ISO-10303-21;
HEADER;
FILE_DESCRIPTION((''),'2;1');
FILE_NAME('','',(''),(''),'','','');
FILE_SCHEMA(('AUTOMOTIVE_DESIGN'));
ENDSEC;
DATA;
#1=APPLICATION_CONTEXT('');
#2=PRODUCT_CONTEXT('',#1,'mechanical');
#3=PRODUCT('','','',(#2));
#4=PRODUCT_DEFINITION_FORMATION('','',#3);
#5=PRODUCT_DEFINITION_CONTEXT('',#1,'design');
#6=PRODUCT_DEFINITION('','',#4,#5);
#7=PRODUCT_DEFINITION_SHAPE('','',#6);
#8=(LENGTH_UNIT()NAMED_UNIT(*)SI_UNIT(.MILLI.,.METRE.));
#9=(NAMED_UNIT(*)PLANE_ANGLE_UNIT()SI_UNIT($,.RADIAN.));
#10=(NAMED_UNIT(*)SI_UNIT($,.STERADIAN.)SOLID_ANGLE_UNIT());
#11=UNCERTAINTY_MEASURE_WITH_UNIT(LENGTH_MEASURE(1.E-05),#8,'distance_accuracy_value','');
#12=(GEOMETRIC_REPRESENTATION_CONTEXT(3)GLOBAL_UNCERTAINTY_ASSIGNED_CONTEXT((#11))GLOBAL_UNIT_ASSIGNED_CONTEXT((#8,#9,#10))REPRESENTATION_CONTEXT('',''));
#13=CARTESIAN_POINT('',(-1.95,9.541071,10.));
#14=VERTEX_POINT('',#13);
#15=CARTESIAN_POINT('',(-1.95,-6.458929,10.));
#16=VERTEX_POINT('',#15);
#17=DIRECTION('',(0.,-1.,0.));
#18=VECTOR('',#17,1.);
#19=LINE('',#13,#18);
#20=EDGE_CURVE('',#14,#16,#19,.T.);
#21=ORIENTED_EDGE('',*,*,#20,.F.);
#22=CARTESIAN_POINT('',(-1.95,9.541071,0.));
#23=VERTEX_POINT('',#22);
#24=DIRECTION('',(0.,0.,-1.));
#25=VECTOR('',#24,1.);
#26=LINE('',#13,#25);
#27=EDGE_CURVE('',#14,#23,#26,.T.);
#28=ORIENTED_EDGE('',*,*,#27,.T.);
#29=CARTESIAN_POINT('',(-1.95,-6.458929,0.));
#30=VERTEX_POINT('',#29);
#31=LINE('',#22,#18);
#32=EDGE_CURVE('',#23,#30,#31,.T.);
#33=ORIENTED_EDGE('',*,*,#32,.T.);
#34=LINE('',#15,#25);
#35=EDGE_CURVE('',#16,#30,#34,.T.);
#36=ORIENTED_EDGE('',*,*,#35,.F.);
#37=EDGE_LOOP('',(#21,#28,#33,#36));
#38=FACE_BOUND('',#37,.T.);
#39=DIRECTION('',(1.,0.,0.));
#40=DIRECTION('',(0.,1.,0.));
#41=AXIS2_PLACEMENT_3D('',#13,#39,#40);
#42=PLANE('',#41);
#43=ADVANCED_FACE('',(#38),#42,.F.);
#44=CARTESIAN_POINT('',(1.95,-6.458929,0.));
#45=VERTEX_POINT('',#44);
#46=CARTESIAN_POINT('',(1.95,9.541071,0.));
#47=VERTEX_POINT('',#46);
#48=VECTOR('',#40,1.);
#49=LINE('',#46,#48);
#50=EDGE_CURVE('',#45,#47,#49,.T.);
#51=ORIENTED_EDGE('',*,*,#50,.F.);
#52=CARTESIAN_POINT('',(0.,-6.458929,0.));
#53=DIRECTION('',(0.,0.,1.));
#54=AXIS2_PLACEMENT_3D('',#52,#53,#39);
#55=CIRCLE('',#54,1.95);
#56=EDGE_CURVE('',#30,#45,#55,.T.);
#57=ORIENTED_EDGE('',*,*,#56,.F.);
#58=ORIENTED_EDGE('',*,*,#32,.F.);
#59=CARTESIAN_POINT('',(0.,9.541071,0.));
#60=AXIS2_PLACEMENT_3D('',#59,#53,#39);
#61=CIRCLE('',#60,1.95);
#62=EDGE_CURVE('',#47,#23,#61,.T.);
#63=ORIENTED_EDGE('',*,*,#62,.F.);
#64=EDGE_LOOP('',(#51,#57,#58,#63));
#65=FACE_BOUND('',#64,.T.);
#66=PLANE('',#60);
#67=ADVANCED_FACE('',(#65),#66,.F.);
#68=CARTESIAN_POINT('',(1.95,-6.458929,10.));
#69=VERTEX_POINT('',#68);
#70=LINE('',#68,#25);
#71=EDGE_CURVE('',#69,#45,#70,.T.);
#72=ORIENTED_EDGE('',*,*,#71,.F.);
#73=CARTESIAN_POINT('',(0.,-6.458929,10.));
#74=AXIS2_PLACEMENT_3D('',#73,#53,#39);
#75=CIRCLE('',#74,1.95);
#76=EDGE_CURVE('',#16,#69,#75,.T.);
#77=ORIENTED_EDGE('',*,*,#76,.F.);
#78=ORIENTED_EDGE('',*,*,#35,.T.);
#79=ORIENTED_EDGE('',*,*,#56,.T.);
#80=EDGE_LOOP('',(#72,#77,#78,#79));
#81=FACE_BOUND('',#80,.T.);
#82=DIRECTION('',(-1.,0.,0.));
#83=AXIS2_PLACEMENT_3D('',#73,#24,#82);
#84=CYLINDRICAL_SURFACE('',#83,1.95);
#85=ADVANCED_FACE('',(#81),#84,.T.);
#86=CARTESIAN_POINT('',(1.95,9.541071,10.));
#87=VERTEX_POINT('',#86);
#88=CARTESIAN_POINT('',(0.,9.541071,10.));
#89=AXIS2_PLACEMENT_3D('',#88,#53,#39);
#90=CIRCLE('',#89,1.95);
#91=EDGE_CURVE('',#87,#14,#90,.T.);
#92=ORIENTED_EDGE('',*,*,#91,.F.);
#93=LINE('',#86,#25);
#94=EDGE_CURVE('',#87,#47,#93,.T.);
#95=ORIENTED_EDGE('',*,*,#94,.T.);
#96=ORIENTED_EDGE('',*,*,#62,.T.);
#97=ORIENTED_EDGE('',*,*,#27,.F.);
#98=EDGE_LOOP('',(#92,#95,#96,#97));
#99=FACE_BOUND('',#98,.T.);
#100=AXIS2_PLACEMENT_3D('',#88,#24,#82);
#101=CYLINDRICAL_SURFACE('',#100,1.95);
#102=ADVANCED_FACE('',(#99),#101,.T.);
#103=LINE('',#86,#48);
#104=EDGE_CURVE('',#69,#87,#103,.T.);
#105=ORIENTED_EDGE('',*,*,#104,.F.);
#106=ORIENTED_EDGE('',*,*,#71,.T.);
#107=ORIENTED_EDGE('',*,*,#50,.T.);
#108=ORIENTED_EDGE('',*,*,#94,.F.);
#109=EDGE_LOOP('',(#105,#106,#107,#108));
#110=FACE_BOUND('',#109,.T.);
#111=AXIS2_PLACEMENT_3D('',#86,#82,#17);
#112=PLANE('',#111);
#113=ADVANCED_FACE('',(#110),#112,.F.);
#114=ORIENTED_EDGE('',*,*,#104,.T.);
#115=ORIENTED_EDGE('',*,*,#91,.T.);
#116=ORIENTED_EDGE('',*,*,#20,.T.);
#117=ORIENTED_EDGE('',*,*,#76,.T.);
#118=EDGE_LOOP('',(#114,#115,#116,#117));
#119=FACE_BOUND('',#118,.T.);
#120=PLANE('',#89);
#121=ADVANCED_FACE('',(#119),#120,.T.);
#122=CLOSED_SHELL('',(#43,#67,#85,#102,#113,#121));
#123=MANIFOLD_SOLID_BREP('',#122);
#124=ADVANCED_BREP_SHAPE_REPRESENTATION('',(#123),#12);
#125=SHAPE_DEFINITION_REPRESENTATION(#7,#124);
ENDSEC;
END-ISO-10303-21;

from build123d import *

# Parameters (mm, degrees)
EXTRUDE_1_DEPTH = 10


with BuildPart() as part:
    # 草图1 → 凸台-拉伸1 (new body)
    with BuildSketch(Plane.XY):
        with BuildLine():
            Line((1.95, 9.541071429), (1.95, -6.458928571))
            ThreePointArc((1.95, -6.458928571), (0, -8.408928571), (-1.95, -6.458928571))
            Line((-1.95, -6.458928571), (-1.95, 9.541071429))
            ThreePointArc((-1.95, 9.541071429), (0, 11.491071429), (1.95, 9.541071429))
        make_face()
    extrude(amount=EXTRUDE_1_DEPTH)


solid = part.part
